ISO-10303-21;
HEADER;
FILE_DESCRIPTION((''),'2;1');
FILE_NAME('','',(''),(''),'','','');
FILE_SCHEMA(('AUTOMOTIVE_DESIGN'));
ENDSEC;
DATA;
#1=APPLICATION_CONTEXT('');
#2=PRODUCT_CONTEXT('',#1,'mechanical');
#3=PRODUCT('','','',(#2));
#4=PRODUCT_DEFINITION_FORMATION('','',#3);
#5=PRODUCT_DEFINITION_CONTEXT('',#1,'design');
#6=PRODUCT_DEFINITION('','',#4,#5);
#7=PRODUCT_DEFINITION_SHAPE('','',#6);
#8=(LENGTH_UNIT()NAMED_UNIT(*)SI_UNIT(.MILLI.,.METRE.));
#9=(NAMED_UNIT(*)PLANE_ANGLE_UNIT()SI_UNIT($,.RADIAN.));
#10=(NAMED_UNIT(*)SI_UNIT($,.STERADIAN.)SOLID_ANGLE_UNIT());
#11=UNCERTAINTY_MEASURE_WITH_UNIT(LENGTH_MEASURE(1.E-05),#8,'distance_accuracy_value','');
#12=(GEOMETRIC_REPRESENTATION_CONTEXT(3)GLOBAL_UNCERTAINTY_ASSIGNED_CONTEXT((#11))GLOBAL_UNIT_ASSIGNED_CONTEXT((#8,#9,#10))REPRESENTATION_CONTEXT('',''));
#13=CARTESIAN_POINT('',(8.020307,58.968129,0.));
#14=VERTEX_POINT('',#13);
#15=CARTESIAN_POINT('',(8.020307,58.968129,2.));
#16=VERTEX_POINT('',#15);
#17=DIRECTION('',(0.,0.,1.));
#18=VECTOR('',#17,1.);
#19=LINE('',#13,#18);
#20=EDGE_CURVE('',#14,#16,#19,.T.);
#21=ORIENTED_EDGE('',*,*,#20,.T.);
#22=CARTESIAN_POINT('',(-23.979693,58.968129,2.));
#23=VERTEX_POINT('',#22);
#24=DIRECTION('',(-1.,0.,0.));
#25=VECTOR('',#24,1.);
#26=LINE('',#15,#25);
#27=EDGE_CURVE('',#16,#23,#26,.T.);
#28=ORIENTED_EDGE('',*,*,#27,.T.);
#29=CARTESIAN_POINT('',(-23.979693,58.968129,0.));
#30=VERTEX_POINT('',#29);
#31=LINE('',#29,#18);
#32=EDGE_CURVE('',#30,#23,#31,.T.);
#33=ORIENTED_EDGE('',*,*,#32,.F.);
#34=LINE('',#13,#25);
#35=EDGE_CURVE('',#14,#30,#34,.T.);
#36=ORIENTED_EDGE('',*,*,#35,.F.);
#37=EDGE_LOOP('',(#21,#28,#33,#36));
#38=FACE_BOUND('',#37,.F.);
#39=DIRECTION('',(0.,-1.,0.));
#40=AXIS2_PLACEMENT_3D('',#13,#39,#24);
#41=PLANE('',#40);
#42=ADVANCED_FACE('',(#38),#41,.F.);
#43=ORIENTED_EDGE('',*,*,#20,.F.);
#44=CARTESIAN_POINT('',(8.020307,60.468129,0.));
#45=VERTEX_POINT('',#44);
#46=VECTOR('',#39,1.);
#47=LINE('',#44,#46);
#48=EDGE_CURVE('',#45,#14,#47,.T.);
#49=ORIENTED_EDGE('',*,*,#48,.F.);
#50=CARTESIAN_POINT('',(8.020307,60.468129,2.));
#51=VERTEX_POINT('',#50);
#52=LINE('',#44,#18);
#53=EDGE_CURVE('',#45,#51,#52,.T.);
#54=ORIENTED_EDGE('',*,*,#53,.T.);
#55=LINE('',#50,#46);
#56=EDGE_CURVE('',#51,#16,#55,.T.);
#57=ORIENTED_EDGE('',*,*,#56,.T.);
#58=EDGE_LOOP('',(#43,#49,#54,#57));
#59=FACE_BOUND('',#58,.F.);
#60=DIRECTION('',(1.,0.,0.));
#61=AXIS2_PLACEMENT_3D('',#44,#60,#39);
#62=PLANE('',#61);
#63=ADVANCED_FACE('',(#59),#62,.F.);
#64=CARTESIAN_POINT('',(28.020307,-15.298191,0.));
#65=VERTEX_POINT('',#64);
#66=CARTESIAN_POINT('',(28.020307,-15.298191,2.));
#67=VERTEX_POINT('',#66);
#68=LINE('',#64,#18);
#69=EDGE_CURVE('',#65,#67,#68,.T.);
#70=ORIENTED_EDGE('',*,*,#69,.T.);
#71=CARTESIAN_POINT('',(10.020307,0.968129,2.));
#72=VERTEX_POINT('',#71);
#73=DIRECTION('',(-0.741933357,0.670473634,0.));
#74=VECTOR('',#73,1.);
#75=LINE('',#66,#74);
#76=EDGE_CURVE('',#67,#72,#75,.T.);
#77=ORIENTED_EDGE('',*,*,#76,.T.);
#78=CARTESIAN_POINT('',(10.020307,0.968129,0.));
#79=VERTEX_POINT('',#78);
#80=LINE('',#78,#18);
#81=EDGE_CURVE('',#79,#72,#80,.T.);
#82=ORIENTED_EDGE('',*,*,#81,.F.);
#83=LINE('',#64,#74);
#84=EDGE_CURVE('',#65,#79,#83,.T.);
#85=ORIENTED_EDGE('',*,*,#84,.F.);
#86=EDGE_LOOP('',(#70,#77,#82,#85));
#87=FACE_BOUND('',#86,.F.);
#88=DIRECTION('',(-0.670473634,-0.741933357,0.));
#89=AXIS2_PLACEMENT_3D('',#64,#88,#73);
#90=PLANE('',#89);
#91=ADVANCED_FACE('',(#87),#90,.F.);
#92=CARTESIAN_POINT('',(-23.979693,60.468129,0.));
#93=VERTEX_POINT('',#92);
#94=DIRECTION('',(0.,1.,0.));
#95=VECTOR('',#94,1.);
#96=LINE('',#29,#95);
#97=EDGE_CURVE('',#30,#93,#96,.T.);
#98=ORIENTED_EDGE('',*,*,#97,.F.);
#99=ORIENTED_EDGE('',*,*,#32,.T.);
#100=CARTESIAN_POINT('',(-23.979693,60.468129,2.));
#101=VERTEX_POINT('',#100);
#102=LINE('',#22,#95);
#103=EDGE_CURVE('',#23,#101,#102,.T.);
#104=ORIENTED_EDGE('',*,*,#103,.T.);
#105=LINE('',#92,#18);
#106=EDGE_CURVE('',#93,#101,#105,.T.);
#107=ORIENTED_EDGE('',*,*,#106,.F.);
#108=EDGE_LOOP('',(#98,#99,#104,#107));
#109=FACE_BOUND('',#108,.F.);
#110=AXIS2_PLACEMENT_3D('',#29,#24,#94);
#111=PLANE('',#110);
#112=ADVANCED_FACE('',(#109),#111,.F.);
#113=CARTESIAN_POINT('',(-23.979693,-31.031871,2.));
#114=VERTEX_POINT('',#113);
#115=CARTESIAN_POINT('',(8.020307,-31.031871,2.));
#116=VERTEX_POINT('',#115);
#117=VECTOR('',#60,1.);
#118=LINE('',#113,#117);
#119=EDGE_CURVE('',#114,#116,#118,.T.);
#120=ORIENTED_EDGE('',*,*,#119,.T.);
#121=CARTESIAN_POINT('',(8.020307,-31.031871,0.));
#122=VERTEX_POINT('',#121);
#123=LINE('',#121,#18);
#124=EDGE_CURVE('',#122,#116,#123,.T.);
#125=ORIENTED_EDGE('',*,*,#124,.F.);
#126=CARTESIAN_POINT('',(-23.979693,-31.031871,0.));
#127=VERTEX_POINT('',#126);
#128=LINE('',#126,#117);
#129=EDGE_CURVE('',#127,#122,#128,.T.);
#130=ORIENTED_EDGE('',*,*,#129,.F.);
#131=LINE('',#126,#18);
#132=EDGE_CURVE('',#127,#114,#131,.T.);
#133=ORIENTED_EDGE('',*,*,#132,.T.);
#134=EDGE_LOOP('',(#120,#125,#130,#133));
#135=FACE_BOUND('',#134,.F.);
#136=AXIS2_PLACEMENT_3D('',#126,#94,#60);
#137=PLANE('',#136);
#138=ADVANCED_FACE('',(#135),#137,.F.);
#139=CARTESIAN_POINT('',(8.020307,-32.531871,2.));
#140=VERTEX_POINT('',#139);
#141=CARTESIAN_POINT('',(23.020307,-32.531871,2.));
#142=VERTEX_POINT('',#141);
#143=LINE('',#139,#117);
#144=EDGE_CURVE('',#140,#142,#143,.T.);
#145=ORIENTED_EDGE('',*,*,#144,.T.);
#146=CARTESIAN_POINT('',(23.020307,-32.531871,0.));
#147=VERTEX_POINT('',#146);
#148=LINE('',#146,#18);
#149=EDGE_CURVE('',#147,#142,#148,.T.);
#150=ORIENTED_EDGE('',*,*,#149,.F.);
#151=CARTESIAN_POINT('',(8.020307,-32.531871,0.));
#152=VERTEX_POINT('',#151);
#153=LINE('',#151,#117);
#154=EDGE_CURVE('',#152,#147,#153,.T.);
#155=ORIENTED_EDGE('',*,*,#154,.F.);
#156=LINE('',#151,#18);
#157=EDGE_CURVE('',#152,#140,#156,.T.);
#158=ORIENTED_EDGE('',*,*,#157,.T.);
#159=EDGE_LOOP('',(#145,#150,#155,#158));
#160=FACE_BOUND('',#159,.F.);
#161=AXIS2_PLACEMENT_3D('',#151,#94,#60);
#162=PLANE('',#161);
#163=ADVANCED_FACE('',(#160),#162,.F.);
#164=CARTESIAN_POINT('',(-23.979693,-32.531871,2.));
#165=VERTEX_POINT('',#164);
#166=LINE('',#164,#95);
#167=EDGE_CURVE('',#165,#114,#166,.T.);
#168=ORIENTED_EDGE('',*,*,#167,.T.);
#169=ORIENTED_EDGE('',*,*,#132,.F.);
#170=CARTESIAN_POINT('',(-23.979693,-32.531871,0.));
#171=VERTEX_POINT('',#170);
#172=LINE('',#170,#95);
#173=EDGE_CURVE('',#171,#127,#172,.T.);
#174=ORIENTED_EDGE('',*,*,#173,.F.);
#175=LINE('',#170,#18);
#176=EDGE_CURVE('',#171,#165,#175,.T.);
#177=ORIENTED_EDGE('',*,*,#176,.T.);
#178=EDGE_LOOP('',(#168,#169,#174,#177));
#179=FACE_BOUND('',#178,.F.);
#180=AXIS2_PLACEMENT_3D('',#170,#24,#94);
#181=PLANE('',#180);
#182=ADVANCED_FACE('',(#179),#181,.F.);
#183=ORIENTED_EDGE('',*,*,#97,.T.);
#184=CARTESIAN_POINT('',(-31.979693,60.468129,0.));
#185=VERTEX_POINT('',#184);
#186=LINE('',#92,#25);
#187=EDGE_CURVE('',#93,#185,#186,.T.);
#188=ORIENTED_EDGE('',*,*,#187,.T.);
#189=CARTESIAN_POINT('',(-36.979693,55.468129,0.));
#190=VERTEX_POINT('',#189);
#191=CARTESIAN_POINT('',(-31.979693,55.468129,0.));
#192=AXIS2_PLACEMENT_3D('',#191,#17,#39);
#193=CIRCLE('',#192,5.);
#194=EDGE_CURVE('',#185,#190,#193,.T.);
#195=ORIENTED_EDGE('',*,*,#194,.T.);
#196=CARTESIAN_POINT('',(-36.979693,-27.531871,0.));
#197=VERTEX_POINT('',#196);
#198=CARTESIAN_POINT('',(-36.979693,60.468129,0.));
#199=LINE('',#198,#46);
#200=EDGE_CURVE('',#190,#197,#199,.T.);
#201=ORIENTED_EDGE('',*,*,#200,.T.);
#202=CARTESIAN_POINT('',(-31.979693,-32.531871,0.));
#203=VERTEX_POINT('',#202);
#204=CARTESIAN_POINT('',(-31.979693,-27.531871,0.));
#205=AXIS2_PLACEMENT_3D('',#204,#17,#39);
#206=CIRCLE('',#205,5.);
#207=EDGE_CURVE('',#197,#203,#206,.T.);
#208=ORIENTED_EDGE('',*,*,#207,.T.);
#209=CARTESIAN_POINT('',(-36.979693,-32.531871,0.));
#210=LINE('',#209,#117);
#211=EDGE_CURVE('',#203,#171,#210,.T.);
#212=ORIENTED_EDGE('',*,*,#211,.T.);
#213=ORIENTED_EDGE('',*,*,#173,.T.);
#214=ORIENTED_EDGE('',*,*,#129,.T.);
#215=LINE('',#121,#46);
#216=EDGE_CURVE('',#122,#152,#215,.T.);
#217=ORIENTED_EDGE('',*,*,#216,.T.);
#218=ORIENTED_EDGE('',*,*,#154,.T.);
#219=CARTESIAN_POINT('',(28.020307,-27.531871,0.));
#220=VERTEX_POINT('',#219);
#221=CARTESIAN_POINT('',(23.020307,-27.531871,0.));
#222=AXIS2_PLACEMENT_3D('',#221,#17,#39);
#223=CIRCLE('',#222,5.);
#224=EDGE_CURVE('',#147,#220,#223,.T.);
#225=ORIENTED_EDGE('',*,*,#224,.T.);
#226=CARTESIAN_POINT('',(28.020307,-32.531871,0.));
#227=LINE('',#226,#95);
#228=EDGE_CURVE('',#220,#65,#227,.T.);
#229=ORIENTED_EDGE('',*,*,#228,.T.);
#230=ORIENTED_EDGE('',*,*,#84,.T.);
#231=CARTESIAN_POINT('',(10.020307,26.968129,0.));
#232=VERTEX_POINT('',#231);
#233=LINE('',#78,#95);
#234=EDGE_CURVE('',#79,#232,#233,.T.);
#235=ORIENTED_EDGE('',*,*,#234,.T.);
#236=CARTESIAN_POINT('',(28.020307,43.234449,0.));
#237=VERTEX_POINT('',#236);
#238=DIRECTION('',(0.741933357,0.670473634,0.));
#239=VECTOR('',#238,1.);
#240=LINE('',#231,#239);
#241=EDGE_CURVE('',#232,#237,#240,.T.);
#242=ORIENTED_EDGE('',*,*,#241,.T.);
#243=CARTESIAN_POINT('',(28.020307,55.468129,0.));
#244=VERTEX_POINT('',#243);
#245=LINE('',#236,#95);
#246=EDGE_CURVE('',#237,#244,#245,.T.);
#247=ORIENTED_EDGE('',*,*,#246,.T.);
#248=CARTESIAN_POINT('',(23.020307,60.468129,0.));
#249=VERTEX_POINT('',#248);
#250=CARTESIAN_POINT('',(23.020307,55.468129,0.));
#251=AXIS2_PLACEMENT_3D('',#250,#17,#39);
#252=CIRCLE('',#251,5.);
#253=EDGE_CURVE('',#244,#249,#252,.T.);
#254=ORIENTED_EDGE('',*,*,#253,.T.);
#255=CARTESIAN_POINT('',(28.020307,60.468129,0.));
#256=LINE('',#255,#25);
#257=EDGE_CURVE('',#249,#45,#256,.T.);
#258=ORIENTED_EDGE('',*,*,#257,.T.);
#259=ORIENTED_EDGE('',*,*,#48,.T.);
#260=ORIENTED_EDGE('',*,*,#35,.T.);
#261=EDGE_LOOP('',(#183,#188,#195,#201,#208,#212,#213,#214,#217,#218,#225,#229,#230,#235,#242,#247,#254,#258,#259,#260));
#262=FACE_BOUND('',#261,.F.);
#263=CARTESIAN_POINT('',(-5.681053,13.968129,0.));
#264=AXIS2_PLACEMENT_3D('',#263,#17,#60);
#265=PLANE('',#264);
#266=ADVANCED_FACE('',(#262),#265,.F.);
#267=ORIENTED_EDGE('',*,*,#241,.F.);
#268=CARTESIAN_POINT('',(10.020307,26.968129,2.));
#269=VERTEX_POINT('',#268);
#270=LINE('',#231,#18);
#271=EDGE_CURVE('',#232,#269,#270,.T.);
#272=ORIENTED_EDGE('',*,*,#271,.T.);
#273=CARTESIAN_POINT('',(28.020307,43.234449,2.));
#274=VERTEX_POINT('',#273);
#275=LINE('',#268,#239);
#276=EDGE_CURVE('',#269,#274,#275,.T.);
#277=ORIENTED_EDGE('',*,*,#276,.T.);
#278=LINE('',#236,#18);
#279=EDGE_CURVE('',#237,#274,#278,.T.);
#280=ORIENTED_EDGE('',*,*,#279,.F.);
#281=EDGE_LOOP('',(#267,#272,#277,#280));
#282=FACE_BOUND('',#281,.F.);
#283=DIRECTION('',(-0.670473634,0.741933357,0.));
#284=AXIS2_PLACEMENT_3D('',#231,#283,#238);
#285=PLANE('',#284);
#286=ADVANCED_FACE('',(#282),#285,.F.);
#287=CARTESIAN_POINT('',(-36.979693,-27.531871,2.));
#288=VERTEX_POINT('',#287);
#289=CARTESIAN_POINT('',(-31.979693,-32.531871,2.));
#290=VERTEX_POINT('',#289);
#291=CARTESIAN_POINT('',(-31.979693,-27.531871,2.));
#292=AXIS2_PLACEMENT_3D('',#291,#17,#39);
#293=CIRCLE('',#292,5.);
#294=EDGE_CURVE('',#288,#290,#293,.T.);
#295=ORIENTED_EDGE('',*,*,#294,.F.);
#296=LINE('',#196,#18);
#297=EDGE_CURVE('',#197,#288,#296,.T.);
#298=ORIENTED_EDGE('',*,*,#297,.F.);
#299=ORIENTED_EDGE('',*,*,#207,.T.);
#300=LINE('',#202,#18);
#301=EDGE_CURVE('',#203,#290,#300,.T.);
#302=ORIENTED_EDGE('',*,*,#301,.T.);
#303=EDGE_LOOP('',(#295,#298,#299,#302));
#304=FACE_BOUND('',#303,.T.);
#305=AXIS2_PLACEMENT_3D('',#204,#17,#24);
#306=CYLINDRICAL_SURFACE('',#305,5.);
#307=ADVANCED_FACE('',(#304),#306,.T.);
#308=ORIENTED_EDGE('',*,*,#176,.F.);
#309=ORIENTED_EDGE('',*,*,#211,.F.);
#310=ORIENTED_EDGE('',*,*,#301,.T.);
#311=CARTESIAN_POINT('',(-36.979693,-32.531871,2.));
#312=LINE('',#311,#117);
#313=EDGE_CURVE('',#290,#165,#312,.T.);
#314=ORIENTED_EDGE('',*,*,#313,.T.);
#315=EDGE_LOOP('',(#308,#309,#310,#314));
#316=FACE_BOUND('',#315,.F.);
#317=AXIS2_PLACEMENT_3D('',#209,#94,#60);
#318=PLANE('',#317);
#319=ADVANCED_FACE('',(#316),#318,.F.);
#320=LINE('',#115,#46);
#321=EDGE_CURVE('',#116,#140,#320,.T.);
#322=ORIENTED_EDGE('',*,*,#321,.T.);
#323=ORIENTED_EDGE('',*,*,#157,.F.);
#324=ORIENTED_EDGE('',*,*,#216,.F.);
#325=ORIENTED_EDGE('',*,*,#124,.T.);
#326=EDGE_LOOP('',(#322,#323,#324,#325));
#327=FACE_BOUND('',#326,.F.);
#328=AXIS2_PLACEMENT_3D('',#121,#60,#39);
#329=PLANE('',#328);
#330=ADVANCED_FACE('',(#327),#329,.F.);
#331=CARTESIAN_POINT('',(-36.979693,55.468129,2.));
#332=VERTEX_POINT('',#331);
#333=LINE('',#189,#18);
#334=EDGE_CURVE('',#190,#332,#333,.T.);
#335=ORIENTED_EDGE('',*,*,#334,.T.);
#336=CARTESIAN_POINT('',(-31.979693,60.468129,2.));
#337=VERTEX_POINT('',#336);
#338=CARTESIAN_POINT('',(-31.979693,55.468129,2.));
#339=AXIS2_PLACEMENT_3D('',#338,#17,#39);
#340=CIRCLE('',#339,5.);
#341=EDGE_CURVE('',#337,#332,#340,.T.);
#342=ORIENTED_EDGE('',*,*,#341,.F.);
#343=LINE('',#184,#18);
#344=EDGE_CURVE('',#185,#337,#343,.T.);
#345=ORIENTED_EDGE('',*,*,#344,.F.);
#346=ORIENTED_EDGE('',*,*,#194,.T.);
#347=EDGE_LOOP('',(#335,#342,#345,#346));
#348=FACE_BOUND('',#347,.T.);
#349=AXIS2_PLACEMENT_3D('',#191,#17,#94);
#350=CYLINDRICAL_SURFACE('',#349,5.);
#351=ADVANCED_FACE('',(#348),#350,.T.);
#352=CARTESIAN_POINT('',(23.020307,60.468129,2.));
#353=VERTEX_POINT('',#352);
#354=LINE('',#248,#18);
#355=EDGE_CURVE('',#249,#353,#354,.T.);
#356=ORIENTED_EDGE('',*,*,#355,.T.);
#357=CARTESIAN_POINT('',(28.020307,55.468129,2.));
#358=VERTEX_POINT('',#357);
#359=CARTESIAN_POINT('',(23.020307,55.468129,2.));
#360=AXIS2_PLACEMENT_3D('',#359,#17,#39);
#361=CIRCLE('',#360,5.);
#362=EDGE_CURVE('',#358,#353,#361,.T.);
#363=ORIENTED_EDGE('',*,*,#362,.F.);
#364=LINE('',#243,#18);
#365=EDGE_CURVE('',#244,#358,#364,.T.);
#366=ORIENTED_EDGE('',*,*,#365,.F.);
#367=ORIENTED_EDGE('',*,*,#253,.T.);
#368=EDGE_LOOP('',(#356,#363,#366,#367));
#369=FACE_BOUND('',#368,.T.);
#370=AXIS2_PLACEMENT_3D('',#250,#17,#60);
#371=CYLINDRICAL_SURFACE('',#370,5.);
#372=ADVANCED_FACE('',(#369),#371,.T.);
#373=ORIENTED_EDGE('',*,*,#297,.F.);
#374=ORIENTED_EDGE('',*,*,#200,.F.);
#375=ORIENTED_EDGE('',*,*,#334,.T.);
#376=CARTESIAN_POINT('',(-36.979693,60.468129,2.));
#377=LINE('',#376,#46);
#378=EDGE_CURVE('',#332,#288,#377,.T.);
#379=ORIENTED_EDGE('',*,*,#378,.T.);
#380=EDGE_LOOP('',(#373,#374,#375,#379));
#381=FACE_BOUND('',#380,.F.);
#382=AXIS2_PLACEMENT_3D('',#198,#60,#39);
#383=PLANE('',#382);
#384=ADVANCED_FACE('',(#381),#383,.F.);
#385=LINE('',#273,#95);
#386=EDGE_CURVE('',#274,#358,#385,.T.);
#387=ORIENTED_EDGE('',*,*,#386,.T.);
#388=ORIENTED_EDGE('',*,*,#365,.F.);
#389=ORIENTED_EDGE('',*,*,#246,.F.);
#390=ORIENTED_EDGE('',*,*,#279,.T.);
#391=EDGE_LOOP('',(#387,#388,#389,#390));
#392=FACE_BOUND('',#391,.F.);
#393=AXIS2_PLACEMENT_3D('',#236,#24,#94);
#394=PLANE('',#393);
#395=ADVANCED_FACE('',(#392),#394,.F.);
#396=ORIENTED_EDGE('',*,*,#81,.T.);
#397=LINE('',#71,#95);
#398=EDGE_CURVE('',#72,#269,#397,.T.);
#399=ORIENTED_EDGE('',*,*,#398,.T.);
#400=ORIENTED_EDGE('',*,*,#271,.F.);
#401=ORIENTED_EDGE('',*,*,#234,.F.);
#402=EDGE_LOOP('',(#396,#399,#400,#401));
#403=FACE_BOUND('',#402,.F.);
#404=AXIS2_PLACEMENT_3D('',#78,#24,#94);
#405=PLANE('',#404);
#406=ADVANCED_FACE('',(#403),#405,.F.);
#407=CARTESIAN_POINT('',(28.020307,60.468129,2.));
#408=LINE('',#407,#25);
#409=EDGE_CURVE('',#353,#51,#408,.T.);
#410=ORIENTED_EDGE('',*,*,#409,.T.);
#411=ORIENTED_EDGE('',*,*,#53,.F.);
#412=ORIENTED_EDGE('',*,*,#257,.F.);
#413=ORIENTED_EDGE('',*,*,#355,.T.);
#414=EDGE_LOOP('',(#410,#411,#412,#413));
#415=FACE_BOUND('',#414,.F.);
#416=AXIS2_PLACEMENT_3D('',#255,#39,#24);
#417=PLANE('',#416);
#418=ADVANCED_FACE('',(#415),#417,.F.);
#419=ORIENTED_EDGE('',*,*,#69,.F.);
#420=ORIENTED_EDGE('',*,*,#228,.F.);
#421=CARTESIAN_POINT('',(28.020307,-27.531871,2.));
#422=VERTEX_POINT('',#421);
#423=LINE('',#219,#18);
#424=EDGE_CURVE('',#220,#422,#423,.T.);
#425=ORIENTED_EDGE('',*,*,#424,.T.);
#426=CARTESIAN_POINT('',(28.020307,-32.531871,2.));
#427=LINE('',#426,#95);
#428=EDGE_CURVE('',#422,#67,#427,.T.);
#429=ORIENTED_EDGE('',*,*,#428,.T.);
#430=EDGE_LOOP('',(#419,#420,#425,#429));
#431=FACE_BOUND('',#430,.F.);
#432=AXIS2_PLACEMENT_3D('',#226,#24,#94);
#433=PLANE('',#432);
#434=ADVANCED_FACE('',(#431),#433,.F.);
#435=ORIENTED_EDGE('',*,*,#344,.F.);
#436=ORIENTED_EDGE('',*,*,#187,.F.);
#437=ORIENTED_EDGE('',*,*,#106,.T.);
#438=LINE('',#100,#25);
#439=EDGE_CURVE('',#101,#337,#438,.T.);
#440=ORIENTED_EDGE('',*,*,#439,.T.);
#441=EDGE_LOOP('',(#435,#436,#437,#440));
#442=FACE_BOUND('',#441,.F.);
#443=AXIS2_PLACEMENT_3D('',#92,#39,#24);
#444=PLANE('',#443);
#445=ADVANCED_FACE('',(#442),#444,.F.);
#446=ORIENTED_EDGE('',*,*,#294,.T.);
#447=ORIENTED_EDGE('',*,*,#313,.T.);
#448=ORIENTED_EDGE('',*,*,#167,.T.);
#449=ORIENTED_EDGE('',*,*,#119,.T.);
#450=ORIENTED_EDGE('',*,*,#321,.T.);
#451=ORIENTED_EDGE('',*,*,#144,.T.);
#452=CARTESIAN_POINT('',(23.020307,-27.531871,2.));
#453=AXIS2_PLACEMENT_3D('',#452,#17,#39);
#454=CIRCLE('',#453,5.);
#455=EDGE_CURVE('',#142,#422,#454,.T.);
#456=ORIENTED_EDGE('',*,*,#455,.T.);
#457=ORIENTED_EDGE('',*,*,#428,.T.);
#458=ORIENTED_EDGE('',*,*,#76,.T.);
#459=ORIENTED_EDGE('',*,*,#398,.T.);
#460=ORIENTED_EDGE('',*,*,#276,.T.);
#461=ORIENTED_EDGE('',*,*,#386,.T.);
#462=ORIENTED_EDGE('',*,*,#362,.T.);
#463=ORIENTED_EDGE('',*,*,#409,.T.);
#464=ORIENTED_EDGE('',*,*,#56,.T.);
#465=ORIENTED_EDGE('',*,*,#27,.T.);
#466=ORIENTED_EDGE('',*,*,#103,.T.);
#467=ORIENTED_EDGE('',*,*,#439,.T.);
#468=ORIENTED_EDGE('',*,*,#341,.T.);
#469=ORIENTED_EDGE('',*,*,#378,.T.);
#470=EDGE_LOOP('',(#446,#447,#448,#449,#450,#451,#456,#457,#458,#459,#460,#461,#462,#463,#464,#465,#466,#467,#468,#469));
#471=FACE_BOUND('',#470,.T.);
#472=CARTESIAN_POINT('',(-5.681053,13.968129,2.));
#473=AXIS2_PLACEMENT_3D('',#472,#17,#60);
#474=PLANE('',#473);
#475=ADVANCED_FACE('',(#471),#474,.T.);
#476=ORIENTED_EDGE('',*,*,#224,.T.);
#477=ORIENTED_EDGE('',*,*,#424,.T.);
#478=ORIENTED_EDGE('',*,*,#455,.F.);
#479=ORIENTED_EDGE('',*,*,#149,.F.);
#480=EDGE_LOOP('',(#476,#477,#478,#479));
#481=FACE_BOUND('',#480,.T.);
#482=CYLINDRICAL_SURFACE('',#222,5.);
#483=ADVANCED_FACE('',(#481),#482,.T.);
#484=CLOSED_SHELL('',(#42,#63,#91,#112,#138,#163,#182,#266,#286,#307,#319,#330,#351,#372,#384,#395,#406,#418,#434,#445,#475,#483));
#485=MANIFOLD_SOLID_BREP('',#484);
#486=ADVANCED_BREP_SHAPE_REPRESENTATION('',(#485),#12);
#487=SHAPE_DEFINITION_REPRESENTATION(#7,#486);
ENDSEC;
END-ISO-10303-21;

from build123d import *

# Parameters (mm, degrees)
F1_DEPTH = 2
F2_R     = 5


with BuildPart() as f1:
    # F0 (on Top) → F1 (new body)
    with BuildSketch(Plane.XY):
        Polygon((-23.979693, 60.468129), (-36.979693, 60.468129), (-36.979693, -32.531871), (-23.979693, -32.531871), (-23.979693, -31.031871), (8.020307, -31.031871), (8.020307, -32.531871), (28.020307, -32.531871), (28.020307, -15.298191), (10.020307, 0.968129), (10.020307, 13.968129), (10.020307, 26.968129), (28.020307, 43.234449), (28.020307, 60.468129), (8.020307, 60.468129), (8.020307, 58.968129), (-23.979693, 58.968129), align=None)
    extrude(amount=F1_DEPTH)

    # F2
    f2_edges = [f1.edges().sort_by_distance(p)[0] for p in [
        (-36.979693, -32.531871, 1),
        (-36.979693, 60.468129, 1),
        (28.020307, 60.468129, 1),
        (28.020307, -32.531871, 1),
    ]]
    fillet(f2_edges, radius=F2_R)


solid = f1.part
